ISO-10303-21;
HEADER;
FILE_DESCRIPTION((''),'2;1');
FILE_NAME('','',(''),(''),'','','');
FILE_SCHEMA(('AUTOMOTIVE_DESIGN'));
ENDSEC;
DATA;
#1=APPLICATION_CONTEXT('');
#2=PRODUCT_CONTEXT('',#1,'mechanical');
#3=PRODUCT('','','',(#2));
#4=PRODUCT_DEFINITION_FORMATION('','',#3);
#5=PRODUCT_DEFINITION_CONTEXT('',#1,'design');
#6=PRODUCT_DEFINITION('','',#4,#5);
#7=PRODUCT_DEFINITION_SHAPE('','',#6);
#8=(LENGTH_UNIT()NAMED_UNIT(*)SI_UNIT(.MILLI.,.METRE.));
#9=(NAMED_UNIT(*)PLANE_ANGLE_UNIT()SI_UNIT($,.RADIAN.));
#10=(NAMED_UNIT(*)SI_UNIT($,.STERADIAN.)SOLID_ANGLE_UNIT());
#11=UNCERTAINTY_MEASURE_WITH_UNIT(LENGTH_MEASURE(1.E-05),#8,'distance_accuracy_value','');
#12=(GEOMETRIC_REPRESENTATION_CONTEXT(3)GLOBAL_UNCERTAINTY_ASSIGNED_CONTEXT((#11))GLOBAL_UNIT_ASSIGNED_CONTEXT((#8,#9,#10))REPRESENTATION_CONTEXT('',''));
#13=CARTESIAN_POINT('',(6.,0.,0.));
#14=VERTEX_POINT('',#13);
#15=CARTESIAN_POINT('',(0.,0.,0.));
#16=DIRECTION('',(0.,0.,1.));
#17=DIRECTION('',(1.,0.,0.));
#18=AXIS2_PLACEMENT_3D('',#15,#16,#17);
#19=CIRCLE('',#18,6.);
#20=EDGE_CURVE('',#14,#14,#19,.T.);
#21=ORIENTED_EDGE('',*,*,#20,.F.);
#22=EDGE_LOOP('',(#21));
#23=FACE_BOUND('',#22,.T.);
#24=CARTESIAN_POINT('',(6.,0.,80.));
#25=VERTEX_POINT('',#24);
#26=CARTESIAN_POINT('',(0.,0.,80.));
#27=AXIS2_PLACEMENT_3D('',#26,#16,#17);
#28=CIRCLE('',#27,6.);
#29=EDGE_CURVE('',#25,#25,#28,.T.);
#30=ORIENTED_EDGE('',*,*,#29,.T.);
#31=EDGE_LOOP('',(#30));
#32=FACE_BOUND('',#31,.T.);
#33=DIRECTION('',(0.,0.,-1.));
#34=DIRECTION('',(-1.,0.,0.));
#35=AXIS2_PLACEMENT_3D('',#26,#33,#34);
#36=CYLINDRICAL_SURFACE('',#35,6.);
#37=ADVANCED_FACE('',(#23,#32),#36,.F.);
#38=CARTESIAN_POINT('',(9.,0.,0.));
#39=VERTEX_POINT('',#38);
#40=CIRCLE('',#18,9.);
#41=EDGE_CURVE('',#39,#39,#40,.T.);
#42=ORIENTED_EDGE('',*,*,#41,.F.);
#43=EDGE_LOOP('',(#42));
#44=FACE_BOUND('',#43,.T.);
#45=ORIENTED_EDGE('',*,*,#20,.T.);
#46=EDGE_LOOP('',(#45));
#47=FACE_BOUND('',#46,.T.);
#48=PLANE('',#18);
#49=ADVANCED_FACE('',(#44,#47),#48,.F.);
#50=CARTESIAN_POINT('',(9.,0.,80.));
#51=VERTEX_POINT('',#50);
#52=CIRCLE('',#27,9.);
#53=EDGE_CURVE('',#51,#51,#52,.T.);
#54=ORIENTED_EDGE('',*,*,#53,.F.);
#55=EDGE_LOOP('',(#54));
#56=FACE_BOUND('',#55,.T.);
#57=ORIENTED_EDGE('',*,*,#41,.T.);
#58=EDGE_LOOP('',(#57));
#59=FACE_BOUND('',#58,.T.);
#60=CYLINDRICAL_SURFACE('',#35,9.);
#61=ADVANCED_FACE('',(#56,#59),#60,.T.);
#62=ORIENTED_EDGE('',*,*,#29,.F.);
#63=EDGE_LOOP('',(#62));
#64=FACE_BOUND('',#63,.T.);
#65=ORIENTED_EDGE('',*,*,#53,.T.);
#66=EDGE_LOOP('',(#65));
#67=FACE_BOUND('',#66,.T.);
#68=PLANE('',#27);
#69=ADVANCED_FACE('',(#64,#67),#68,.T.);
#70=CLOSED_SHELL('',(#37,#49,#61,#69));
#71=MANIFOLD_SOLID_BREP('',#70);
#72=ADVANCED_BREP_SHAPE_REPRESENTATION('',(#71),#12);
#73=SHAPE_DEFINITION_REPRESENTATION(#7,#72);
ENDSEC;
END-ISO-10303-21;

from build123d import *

# Parameters (mm, degrees)
SKETCH1_R   = 9
SKETCH1_R_2 = 6
MAIN_DEPTH  = 80


with BuildPart() as part:
    # Sketch1 → Main (new body)
    with BuildSketch(Plane.XY):
        Circle(SKETCH1_R)
        Circle(SKETCH1_R_2, mode=Mode.SUBTRACT)
    extrude(amount=MAIN_DEPTH)


solid = part.part
